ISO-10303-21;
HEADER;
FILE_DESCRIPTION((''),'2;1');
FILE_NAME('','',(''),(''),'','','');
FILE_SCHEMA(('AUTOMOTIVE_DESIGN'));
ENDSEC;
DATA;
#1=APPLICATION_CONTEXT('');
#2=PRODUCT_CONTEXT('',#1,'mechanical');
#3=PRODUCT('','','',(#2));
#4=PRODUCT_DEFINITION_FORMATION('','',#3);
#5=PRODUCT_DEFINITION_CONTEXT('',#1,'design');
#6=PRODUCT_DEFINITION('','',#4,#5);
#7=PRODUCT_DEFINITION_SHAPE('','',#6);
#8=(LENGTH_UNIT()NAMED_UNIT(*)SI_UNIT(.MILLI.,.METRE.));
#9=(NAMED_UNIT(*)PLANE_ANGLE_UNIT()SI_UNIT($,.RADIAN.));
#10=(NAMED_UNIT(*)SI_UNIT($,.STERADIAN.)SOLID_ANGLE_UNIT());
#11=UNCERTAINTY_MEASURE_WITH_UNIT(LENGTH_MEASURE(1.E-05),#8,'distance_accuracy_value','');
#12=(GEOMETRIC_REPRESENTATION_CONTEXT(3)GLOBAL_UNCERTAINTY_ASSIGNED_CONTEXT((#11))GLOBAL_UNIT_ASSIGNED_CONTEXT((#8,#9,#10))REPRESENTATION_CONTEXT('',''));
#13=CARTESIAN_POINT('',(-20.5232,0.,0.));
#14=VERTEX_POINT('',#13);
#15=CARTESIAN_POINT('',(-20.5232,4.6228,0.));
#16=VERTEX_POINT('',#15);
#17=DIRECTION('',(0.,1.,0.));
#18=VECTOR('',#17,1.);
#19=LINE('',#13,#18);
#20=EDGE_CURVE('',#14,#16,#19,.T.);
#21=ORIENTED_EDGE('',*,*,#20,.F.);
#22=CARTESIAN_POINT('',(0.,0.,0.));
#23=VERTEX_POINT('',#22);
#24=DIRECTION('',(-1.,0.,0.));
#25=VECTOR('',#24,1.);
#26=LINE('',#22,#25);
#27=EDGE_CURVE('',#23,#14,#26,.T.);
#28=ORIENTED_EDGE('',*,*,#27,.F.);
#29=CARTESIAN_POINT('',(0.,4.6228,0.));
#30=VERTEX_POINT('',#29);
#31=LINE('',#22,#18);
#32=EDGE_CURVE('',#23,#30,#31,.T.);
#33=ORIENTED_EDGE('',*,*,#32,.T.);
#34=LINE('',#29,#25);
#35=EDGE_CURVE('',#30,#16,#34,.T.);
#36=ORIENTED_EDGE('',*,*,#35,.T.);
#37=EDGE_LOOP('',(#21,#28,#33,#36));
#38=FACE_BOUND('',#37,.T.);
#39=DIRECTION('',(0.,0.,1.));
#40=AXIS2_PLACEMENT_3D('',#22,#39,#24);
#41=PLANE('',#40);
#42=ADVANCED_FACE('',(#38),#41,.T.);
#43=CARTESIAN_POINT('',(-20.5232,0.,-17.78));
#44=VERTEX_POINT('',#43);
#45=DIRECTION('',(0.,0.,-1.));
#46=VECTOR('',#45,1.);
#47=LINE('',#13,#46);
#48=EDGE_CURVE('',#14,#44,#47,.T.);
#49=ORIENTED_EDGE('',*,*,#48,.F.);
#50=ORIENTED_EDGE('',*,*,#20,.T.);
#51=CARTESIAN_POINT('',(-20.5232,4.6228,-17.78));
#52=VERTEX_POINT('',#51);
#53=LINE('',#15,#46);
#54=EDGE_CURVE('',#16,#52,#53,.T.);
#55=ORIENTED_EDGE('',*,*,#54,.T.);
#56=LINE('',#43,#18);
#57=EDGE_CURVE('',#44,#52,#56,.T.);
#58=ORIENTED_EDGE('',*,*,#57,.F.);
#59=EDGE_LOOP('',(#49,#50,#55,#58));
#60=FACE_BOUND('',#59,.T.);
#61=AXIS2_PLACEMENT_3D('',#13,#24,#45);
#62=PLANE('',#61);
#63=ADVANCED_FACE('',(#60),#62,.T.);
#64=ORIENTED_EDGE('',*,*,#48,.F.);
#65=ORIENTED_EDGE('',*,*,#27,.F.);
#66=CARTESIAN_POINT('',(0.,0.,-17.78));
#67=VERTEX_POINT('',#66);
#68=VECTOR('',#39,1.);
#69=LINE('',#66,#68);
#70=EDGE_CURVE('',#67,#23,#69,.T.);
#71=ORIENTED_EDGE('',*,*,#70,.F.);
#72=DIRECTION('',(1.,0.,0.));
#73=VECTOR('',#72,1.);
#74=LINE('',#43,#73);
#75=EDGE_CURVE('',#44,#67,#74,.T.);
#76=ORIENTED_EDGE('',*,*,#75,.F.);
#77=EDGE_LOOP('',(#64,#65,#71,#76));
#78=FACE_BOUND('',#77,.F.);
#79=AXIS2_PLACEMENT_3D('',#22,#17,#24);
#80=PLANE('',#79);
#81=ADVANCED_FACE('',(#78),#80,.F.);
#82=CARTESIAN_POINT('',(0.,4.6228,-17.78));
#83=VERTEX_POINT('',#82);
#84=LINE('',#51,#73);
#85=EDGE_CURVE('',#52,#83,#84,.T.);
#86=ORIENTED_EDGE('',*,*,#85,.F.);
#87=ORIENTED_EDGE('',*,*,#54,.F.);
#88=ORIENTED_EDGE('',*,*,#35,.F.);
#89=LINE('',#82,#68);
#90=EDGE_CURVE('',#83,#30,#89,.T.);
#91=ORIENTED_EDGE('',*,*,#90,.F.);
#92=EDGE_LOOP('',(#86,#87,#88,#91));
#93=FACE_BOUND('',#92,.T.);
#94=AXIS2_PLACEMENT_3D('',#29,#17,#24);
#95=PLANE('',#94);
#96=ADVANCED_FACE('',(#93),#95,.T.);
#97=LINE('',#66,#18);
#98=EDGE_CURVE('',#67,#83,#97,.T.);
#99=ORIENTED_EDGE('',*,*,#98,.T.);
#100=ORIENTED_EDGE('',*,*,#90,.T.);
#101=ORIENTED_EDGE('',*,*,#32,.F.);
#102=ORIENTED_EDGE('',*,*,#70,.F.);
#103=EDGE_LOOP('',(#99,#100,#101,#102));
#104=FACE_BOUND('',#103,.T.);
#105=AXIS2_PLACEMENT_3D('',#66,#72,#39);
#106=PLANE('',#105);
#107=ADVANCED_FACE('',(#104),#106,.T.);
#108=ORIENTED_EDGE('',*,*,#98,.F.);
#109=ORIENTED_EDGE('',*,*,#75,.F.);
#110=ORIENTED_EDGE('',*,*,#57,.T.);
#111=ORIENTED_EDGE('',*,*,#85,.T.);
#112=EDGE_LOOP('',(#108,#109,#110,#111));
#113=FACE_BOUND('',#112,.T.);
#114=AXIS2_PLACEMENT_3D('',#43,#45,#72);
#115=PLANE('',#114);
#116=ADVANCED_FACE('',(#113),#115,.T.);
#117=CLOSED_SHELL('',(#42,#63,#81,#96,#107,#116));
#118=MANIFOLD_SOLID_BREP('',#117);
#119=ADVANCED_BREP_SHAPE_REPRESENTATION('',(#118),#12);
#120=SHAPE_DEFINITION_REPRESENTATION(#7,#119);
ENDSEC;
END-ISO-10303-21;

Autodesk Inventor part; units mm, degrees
ref_plane "YZ Plane" through (0, 0, 0) normal (1, 0, 0) x (0, 1, 0)
ref_plane "XZ Plane" through (0, 0, 0) normal (0, 1, 0) x (-1, 0, 0)
ref_plane "XY Plane" through (0, 0, 0) normal (0, 0, 1) x (1, 0, 0)
sketch "Sketch1" plane through (0, 0, 0) normal (0, 1, 0) x (-1, 0, 0)
  line L0 (0, 0) -> (20.5232, 0)
  line L1 (20.5232, 0) -> (20.5232, -17.78)
  line L2 (20.5232, -17.78) -> (0, -17.78)
  line L3 (0, -17.78) -> (0, 0)
  dimension "d0" = 20.5232
  dimension "d1" = 17.78
extrude "Extrusion1" add sketch "Sketch1" along normal blind 4.6228
properties part number "MP#"
